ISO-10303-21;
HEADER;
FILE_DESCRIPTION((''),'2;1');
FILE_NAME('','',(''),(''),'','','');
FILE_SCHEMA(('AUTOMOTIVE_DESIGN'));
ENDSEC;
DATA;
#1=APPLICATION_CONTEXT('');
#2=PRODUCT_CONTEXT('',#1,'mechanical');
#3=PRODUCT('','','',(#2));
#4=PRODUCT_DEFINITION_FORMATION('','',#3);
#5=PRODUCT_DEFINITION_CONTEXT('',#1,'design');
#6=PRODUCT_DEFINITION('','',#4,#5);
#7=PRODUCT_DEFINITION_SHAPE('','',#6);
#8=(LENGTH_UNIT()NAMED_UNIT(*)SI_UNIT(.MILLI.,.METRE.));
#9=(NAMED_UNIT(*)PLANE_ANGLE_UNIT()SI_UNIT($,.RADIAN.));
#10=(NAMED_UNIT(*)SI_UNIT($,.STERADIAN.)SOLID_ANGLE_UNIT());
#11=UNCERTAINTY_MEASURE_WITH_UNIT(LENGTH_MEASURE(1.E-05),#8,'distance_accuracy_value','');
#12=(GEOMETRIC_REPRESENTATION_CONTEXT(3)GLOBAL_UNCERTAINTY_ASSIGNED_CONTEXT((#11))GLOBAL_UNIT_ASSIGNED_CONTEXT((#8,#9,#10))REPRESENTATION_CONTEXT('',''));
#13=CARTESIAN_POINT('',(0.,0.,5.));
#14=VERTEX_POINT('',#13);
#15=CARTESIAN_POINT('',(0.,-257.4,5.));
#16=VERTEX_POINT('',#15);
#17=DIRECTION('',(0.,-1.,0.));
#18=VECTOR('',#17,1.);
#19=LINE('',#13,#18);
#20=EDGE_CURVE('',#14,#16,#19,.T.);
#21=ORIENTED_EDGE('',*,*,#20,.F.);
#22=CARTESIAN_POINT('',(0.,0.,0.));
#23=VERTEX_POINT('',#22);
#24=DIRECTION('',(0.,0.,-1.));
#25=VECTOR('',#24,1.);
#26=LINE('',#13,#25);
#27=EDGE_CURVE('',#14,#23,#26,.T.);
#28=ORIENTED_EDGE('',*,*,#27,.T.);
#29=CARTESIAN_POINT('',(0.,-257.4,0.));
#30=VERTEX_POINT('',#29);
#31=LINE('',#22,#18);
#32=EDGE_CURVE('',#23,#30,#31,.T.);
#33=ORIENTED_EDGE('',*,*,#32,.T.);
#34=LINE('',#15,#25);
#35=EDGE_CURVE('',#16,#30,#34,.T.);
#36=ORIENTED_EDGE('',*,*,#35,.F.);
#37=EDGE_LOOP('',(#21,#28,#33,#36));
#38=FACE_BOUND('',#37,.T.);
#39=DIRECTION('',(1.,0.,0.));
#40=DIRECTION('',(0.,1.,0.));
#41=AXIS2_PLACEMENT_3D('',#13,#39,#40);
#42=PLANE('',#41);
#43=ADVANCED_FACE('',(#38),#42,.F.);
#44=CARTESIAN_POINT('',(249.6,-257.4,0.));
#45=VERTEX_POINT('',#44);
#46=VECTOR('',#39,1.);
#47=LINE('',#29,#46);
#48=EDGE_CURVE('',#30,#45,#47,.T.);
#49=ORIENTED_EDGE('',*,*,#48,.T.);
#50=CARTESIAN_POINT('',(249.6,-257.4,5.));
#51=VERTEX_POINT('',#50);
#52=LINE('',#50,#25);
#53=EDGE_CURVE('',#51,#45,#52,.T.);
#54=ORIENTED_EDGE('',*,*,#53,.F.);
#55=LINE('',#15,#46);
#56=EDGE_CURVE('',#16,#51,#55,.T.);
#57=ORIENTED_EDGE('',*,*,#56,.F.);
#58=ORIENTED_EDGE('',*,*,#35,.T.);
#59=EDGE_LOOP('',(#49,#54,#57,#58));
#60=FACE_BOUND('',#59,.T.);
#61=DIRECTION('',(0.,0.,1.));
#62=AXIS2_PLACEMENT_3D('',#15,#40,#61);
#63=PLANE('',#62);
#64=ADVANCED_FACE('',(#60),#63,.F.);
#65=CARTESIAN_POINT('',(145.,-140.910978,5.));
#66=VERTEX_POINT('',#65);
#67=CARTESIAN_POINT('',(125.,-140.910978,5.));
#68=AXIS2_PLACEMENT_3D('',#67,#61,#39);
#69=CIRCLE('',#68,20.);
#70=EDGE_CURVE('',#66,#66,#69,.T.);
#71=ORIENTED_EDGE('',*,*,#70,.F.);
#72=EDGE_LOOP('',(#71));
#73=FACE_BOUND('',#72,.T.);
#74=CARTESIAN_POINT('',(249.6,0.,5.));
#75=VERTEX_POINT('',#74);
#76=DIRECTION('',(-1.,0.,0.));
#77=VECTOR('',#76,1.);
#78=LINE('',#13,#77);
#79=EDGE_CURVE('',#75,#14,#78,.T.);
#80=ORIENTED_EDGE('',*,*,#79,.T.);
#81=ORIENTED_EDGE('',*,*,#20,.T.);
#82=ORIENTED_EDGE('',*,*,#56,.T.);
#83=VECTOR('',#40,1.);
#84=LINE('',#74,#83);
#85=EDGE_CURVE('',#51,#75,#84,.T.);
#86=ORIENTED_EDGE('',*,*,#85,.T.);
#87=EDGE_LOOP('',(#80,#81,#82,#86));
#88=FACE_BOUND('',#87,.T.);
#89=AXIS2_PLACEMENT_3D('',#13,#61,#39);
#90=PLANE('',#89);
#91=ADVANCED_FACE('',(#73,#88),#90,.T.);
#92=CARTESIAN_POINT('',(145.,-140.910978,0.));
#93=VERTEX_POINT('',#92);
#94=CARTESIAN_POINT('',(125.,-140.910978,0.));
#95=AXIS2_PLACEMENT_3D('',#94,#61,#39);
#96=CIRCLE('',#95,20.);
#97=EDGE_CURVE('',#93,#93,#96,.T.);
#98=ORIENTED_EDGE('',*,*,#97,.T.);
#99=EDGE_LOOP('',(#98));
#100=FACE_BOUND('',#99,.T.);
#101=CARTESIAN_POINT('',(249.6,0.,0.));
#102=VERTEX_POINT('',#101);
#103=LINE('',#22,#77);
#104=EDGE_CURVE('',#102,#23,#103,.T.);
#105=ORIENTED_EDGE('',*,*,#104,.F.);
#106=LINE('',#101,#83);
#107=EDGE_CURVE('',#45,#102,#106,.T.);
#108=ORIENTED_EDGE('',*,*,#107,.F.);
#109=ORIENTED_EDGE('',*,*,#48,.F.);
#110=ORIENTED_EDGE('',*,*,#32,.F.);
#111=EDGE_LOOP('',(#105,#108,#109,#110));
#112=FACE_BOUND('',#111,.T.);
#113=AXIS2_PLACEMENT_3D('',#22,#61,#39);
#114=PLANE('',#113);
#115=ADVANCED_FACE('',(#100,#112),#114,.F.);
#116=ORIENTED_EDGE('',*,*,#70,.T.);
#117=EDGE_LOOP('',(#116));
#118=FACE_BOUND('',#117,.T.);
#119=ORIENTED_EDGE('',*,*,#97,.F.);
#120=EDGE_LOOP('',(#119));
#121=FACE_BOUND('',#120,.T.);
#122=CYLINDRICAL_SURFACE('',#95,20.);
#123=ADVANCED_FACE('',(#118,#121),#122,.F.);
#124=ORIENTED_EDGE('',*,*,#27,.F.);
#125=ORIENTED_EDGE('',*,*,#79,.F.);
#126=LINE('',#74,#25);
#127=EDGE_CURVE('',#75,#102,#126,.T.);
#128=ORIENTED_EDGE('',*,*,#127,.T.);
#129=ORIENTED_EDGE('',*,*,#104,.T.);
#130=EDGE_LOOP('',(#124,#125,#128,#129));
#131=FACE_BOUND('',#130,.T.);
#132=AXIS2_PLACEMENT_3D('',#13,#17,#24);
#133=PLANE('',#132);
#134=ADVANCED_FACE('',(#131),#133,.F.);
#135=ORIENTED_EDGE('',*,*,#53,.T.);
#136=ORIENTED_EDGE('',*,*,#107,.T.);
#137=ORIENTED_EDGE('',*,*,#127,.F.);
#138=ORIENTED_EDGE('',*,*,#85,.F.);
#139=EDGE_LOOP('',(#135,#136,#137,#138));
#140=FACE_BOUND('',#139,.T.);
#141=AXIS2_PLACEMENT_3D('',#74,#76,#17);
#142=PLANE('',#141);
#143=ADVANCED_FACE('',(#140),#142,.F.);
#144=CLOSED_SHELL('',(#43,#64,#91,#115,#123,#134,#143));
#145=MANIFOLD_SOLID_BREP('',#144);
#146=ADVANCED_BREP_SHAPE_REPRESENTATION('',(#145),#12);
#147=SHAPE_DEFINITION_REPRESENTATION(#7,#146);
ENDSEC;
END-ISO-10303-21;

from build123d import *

# Parameters (mm, degrees)
SKETCH1_W           = 249.6
SKETCH1_H           = 257.4
BOSS_EXTRUDE1_DEPTH = 5
SKETCH2_R           = 20
CUT_EXTRUDE1_DEPTH  = 6


with BuildPart() as part:
    # Sketch1 → Boss-Extrude1 (new body)
    with BuildSketch(Plane.XY):
        with Locations((124.8, -128.7)):
            Rectangle(SKETCH1_W, SKETCH1_H)
    extrude(amount=BOSS_EXTRUDE1_DEPTH)

    # Sketch2 → Cut-Extrude1 (cut, through all)
    with BuildSketch(Plane.XY.offset(5)):
        with Locations((125, -140.910978413)):
            Circle(SKETCH2_R)
    extrude(amount=-CUT_EXTRUDE1_DEPTH, mode=Mode.SUBTRACT)


solid = part.part
